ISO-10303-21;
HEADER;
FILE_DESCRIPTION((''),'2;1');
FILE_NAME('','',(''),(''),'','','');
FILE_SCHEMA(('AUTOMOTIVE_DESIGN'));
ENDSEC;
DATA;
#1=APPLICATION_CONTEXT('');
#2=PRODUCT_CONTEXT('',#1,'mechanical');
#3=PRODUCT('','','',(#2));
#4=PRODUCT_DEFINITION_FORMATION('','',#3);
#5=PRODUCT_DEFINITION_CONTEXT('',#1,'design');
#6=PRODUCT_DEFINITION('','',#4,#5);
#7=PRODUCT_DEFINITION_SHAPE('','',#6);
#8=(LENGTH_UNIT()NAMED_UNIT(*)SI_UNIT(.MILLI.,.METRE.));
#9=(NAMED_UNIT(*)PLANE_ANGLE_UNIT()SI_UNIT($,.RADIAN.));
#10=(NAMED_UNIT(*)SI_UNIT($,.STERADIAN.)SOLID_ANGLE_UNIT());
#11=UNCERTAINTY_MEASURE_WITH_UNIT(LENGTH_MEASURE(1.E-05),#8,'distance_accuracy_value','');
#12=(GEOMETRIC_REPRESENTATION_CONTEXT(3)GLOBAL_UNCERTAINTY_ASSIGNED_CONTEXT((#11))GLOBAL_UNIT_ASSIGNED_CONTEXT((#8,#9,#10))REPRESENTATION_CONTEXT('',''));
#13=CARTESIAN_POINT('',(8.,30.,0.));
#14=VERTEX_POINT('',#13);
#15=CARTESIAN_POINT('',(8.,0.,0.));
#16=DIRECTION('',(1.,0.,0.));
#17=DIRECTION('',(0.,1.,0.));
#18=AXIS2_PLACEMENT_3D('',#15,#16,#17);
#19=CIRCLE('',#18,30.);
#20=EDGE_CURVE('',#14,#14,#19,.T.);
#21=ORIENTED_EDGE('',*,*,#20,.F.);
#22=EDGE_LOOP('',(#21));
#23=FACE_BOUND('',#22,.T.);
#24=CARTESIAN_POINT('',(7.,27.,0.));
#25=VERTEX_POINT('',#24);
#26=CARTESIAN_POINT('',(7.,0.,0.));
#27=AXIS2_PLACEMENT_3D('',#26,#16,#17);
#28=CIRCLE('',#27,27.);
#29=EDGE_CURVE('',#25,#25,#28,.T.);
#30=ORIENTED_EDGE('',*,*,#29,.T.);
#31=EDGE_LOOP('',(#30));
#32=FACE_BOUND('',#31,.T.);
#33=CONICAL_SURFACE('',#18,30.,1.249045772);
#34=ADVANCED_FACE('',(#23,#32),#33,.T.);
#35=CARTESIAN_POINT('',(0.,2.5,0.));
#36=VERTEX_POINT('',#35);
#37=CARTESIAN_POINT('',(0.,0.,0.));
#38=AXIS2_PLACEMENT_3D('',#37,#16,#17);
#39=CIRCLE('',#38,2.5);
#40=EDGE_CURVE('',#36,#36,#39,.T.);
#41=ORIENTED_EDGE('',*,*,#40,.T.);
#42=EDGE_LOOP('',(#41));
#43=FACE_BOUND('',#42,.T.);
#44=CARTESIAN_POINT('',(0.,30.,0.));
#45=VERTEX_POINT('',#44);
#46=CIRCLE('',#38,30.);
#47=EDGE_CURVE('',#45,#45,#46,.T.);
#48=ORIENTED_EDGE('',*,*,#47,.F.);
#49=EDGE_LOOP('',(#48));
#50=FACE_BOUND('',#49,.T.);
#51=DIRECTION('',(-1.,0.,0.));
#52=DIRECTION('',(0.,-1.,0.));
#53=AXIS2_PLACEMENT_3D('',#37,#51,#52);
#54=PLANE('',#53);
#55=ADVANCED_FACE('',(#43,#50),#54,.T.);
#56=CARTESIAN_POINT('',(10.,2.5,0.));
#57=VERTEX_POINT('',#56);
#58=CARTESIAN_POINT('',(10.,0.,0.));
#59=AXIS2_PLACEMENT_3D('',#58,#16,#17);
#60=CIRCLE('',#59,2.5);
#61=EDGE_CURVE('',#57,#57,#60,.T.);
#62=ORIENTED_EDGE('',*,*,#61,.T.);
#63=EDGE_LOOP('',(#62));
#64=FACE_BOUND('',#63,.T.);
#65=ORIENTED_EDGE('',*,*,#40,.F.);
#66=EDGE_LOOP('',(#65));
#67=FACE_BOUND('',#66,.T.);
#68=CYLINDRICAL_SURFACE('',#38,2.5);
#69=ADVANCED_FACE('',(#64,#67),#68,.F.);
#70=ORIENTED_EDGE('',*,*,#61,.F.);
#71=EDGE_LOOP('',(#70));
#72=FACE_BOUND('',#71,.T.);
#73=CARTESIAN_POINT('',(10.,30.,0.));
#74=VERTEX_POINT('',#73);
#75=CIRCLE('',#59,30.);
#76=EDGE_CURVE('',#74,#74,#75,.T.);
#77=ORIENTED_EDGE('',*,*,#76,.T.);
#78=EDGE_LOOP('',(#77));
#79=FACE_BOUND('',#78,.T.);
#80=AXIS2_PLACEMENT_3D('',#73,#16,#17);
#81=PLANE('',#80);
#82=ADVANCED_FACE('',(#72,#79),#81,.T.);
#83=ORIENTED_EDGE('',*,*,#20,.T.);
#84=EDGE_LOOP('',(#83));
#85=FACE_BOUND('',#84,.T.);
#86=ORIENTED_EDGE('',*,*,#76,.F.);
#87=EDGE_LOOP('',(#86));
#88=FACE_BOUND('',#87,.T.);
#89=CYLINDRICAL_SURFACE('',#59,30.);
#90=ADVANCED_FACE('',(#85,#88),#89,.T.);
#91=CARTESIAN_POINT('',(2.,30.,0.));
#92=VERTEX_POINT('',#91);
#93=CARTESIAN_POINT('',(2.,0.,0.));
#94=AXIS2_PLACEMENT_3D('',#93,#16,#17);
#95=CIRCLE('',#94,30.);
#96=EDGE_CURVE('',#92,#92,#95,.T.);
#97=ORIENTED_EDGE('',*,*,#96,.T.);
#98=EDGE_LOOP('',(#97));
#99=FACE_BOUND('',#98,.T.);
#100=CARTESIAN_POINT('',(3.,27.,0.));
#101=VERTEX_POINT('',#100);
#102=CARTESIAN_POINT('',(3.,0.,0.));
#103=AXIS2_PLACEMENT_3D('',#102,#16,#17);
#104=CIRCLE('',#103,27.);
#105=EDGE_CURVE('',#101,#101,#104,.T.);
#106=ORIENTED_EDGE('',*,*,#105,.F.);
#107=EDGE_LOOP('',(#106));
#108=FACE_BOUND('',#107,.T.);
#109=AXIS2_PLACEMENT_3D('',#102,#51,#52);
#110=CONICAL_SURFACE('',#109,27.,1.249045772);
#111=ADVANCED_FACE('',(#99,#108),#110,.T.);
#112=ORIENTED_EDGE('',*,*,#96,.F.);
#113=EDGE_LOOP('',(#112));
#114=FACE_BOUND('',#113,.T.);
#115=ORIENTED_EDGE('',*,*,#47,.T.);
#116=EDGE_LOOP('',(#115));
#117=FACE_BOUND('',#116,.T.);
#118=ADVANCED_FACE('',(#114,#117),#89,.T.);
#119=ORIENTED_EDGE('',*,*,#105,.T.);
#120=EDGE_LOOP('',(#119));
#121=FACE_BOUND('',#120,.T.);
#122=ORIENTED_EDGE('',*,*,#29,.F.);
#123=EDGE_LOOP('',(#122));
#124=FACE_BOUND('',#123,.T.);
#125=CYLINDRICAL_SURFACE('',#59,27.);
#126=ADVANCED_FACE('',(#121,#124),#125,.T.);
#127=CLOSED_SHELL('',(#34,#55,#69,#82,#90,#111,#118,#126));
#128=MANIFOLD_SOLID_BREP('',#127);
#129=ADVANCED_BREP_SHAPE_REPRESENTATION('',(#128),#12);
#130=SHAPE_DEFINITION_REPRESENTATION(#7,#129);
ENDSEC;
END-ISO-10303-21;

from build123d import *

# Parameters (mm, degrees)
SKETCH4_R          = 2.5
CUT_EXTRUDE2_DEPTH = 10


with BuildPart() as part:
    # Sketch3 → Revolve1 (revolve)
    with BuildSketch(Plane.XY):
        Polygon((0, 0), (0, 30), (2, 30), (3, 27), (7, 27), (8, 30), (10, 30), (10, 0), align=None)
    revolve(axis=Axis((10, 0, 0), (-1, 0, 0)))

    # Sketch4 → Cut-Extrude2 (cut)
    with BuildSketch(Plane(origin=(10, 0, 0), x_dir=(0, 0, -1), z_dir=(1, 0, 0))):
        with Locations(Location((0, 0, 0), (0, 0, 90))):
            Circle(SKETCH4_R)
    extrude(amount=-CUT_EXTRUDE2_DEPTH, mode=Mode.SUBTRACT)


solid = part.part
